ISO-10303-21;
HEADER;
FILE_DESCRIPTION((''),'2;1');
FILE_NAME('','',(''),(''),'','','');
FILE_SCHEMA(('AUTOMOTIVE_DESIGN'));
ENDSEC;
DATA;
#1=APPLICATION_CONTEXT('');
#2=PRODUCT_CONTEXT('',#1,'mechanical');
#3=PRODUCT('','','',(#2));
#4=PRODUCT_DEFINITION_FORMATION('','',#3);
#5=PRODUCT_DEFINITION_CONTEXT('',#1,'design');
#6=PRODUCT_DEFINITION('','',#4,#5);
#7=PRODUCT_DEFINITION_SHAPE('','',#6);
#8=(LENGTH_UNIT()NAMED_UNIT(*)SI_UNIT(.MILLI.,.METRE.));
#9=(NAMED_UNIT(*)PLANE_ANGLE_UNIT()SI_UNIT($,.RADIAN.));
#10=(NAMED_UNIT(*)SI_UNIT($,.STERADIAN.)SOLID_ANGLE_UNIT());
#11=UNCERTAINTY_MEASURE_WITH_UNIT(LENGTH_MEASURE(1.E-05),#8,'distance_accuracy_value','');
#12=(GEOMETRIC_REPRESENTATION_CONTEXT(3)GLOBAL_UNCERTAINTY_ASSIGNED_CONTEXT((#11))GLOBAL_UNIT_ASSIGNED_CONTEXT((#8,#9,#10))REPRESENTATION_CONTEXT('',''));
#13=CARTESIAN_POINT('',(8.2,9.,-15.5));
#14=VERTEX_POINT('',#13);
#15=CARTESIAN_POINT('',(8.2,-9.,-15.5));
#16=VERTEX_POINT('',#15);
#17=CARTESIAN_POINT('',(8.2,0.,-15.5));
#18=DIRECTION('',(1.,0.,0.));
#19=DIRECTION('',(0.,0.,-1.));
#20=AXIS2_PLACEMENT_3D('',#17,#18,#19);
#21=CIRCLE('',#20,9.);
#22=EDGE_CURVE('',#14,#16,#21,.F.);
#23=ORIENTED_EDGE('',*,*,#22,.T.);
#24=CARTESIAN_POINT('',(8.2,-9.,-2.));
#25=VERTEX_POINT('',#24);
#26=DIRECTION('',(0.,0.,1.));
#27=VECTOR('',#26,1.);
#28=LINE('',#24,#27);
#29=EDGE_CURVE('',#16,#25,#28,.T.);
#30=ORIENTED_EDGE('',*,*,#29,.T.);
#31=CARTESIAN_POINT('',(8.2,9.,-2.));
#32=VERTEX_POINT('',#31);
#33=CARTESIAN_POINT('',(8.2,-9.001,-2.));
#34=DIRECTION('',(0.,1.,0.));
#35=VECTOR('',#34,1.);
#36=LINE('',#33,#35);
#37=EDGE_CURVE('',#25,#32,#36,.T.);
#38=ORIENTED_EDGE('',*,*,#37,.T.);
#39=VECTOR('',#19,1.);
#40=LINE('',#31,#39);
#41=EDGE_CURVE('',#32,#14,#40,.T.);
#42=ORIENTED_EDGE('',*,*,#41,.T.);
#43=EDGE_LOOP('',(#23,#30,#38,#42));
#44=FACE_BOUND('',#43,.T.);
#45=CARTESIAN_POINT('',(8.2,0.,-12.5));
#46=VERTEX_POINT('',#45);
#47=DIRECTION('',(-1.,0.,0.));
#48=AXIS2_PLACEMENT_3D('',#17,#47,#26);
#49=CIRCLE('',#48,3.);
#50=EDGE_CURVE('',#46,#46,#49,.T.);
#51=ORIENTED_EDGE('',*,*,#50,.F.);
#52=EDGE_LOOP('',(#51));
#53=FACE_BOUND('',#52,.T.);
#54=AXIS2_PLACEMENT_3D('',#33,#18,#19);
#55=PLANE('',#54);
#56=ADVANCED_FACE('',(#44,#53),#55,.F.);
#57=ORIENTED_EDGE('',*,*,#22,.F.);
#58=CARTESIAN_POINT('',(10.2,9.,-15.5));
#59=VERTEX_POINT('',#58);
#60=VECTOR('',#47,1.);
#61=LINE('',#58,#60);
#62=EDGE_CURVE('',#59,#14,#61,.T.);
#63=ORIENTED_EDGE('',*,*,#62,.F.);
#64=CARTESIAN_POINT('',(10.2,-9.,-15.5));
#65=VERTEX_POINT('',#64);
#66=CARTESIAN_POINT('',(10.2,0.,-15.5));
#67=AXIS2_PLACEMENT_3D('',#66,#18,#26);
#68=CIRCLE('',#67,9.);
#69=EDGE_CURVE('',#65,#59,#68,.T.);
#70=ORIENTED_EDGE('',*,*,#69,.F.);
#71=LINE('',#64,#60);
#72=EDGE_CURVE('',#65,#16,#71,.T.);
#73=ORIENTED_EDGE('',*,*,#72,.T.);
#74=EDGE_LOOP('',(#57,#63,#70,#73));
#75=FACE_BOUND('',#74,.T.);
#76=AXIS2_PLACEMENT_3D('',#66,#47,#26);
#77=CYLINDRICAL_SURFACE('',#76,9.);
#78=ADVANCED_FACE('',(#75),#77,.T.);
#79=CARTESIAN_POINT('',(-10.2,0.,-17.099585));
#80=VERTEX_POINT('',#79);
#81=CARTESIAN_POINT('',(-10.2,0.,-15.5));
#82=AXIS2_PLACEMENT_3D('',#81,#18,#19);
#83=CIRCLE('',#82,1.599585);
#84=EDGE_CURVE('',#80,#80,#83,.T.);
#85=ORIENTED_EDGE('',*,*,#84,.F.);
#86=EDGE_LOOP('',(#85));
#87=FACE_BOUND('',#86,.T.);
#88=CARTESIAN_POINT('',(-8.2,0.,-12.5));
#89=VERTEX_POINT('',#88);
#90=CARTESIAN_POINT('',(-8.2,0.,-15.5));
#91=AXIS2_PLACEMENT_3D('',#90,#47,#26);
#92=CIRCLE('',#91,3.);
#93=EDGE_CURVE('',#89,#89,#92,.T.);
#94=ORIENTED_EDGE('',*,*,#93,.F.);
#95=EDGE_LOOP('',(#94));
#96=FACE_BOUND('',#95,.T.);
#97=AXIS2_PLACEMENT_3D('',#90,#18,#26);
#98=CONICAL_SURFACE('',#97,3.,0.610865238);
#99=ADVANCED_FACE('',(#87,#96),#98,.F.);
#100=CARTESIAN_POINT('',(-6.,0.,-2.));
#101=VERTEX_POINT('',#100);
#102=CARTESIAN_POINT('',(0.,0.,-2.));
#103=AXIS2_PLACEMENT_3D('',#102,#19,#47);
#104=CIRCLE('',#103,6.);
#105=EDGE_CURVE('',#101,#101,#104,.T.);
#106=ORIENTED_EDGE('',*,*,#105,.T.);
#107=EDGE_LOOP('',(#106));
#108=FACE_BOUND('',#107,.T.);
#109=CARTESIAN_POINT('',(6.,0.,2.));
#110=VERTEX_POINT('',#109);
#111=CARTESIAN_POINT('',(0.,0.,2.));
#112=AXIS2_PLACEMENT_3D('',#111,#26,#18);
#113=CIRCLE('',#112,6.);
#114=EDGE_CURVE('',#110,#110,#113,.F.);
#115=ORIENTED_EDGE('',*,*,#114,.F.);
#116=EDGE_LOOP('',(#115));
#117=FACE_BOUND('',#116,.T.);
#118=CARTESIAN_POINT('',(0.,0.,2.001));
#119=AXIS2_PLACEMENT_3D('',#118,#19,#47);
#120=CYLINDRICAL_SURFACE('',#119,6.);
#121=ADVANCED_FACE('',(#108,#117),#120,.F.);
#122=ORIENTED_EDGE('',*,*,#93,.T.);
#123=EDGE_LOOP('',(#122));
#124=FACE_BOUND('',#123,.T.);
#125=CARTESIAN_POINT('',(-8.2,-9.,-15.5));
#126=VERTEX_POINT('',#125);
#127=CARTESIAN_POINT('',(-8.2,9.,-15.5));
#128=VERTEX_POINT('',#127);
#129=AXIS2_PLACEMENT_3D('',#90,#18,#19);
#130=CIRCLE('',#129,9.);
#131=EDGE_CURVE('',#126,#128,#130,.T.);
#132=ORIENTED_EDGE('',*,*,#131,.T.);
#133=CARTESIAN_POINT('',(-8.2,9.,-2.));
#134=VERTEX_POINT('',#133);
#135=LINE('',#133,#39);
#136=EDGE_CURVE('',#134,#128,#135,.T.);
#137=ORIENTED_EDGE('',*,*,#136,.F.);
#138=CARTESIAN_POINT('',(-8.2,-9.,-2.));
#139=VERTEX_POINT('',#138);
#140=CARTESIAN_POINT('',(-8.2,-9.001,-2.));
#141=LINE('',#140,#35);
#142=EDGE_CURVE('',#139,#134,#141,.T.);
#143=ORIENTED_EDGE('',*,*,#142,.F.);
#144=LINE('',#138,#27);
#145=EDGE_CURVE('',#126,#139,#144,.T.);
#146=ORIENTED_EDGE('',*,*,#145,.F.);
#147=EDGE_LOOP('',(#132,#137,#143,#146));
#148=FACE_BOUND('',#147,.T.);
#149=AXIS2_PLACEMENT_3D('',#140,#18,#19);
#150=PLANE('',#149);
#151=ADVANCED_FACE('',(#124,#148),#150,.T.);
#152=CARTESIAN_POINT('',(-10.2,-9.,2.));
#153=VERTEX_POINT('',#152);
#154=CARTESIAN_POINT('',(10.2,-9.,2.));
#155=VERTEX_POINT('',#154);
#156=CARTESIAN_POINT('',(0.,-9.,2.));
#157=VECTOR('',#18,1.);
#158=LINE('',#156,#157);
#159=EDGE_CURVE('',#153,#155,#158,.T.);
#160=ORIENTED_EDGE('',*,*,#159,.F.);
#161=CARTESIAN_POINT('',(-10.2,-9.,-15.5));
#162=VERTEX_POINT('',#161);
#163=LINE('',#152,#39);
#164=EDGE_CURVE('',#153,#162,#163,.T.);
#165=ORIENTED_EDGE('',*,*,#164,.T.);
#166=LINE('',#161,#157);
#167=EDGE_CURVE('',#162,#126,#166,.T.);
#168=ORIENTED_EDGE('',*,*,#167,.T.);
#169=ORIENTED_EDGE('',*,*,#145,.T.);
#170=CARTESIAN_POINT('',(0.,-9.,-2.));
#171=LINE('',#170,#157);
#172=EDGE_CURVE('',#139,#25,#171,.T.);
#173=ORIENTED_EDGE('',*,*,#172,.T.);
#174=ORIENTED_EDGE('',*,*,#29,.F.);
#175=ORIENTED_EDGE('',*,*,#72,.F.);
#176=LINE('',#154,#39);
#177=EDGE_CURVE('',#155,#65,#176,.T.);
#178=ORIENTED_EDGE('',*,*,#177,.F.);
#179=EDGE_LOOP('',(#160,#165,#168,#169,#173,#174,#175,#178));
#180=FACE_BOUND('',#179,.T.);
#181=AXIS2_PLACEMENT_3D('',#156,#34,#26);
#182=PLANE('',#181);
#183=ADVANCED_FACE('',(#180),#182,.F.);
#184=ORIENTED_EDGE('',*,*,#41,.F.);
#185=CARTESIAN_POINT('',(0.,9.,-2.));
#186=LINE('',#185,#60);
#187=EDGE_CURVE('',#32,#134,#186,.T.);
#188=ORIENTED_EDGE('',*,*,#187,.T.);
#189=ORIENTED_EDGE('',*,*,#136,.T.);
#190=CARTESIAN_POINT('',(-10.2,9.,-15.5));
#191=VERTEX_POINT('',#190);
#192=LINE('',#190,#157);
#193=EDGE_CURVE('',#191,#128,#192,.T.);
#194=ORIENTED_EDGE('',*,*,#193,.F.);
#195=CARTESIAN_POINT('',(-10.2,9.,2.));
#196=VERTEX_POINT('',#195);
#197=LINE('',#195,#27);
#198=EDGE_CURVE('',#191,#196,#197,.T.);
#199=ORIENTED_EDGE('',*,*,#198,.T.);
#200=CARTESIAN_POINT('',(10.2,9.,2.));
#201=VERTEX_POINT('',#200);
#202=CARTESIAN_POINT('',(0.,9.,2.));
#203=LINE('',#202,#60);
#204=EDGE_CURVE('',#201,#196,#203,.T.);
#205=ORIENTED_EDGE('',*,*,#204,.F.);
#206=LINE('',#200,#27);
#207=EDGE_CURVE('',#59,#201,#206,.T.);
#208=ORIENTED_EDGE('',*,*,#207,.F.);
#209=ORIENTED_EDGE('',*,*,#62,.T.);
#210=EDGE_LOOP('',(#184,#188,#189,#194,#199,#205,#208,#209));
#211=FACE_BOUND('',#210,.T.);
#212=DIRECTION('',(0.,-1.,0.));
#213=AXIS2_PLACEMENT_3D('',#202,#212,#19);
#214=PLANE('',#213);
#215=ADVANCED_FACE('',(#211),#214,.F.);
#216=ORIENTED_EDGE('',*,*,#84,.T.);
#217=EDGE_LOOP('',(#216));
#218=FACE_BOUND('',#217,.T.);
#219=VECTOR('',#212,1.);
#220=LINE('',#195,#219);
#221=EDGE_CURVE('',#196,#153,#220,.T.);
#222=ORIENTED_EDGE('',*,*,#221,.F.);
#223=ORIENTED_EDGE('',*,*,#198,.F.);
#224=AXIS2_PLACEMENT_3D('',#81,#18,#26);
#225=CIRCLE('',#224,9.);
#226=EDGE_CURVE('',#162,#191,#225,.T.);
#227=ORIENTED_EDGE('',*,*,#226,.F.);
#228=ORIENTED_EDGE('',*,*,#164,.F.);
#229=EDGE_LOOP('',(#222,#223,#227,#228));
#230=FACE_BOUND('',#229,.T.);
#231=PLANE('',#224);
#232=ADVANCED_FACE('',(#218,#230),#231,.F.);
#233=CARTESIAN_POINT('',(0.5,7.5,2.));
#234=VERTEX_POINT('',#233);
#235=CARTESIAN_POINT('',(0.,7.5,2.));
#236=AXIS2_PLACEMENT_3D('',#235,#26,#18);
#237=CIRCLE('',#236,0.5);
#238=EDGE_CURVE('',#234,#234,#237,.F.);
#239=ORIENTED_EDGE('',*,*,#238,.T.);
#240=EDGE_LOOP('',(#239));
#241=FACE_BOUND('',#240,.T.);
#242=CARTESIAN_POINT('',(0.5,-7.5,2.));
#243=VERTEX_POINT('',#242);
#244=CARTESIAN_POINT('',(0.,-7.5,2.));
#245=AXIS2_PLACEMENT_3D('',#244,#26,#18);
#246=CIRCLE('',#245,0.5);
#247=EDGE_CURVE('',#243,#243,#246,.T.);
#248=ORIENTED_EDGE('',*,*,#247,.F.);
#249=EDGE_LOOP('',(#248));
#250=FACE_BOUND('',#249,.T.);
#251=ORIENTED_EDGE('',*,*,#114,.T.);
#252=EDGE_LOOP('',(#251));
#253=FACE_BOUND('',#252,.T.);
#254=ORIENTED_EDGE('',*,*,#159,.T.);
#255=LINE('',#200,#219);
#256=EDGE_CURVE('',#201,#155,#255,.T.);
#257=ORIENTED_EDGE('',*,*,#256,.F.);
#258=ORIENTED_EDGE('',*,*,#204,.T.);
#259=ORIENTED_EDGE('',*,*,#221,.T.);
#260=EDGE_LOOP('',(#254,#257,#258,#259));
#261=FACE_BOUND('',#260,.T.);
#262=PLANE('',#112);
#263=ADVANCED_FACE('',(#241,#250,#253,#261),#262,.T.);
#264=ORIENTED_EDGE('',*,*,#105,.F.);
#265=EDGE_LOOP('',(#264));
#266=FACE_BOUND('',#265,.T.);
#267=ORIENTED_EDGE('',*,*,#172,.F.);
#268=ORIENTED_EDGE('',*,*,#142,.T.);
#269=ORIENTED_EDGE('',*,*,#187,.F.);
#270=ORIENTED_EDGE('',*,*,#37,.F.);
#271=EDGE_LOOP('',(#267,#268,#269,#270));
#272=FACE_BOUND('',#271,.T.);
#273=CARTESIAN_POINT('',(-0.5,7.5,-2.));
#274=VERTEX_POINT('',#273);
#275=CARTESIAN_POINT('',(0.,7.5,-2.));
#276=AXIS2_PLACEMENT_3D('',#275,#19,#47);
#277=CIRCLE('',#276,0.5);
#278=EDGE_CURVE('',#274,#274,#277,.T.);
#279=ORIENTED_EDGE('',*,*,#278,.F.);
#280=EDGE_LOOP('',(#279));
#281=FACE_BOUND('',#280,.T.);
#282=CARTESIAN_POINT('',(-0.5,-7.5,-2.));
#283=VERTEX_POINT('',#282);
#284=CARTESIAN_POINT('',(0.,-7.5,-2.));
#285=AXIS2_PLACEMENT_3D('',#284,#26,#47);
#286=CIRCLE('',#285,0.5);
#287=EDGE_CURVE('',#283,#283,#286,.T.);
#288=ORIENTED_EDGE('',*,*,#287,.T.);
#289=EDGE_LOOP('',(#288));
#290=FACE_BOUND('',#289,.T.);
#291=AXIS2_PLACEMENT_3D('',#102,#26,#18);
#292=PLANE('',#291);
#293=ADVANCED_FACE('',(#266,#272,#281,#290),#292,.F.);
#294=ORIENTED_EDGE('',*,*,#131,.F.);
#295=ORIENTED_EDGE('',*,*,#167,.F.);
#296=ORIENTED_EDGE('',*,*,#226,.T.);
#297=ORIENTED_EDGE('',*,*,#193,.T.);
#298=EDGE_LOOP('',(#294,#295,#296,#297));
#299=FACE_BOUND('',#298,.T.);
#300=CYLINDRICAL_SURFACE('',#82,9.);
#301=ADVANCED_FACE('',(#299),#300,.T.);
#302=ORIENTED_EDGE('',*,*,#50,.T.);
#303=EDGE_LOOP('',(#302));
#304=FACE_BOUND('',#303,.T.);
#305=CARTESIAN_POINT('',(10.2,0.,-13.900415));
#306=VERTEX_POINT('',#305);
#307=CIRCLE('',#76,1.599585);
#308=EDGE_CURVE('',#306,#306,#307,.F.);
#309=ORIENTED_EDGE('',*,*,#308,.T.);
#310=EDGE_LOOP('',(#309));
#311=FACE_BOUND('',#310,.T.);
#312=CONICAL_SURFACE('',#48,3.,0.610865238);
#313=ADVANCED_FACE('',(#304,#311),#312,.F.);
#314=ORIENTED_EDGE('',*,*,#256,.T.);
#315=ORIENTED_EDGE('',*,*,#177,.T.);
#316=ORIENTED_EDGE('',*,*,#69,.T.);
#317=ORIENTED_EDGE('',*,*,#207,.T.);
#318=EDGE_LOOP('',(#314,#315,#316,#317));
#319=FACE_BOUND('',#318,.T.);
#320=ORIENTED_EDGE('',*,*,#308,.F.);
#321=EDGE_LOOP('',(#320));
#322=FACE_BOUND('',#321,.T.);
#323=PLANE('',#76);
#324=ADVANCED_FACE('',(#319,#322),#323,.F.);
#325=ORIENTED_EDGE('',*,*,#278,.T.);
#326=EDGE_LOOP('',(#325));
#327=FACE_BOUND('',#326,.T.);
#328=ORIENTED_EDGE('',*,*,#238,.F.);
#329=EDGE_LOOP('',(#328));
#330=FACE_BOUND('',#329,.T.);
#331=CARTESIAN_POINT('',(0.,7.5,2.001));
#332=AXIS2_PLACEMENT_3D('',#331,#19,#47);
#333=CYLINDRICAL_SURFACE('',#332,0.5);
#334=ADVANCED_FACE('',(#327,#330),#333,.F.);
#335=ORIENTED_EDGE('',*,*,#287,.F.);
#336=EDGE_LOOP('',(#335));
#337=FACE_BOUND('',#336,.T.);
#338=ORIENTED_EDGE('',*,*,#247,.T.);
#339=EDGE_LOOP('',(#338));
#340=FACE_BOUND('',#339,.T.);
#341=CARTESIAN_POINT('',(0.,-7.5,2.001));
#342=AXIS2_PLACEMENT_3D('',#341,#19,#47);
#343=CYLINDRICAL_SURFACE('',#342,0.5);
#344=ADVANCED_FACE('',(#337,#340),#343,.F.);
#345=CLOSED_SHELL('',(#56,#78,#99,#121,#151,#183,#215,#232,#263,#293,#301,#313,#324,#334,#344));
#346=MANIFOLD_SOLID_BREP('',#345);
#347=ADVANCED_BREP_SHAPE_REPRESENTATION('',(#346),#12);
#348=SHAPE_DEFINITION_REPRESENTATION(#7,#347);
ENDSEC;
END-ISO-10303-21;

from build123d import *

# Parameters (mm, degrees)
SKETCH1_W               = 16
SKETCH1_H               = 18
SKETCH1_W_2             = 12
SKETCH1_H_2             = 14
EXTRUDE_THIN1_DEPTH     = 2
BOSS_EXTRUDE3_DEPTH     = 2.2
CUT_EXTRUDE4_REACH      = 34.067
SKETCH10_W              = 0.2
SKETCH10_H              = 27.531461486
SKETCH5_R               = 3
CUT_EXTRUDE1_DEPTH      = 2
CUT_EXTRUDE1_DRAFT      = -35
MIRROR3_COPY_1_SKETCH_R = 3
MIRROR3_COPY_1_DEPTH    = 2
MIRROR3_COPY_1_DRAFT    = -35
SKETCH14_W              = 12
SKETCH14_H              = 4
BOSS_EXTRUDE5_DEPTH     = 14
CUT_EXTRUDE6_REACH      = 28.292
SKETCH15_R              = 6
CUT_EXTRUDE8_REACH      = 28.292
SKETCH19_R              = 0.5


with BuildPart() as part:
    # Sketch1 → Extrude-Thin1 (new, symmetric)
    with BuildSketch(Plane.XY):
        Rectangle(SKETCH1_W, SKETCH1_H)
        Rectangle(SKETCH1_W_2, SKETCH1_H_2, mode=Mode.SUBTRACT)
    extrude_thin1 = extrude(amount=EXTRUDE_THIN1_DEPTH, both=True)

    # Sketch4 → Boss-Extrude3 (add)
    with BuildSketch(Plane(origin=(8, 0, 0), x_dir=(0, 0, -1), z_dir=(1, 0, 0))):
        with BuildLine():
            Line((-2, 9), (15.5, 9))
            ThreePointArc((15.5, 9), (24.5, 0), (15.5, -9))
            Line((15.5, -9), (-2, -9))
            Line((-2, -9), (-2, 9))
        make_face()
    boss_extrude3 = extrude(amount=BOSS_EXTRUDE3_DEPTH)

    # Sketch10 → Cut-Extrude4 (cut, up to next)
    with BuildSketch(Plane(origin=(0, 9, 0), x_dir=(1, 0, 0), z_dir=(0, 1, 0)), mode=Mode.PRIVATE) as cut_extrude4_sk1:
        with Locations((8.1, 15.765730743)):
            Rectangle(SKETCH10_W, SKETCH10_H)
    cut_extrude4_tool1 = extrude(cut_extrude4_sk1.sketch, amount=-CUT_EXTRUDE4_REACH, mode=Mode.PRIVATE) & part.part
    cut_extrude4 = cut_extrude4_tool1.solids().sort_by_distance((8.1, 9, -15.765731))[0]
    add(cut_extrude4, mode=Mode.SUBTRACT)


with BuildPart() as cut_extrude1_tool:
    # Sketch5 → Cut-Extrude1 (with draft: the straight prism first)
    with BuildSketch(Plane.ZY.offset(-8.2)):
        with Locations((-15.5, 0)):
            Circle(SKETCH5_R)
    extrude(amount=-CUT_EXTRUDE1_DEPTH)
    # Cut-Extrude1: the draft: its side faces are tilted about the plane it starts from
    cut_extrude1_sides = [cut_extrude1_tool.faces().sort_by_distance(p)[0] for p in [
        (9.2, 0, -18.5),
    ]]
    draft(cut_extrude1_sides, Plane.ZY.offset(-8.2), CUT_EXTRUDE1_DRAFT)


with BuildPart() as part_1:
    add(part.part)

    # Cut-Extrude1: cut by cut_extrude1_tool
    add(cut_extrude1_tool.part, mode=Mode.SUBTRACT)

    # Mirror3: Extrude-Thin1, Boss-Extrude3, Cut-Extrude4 across plane
    add(extrude_thin1.mirror(Plane(origin=(0, 0, 0), x_dir=(0, 0, 1), z_dir=(1, 0, 0))))
    add(boss_extrude3.mirror(Plane(origin=(0, 0, 0), x_dir=(0, 0, 1), z_dir=(1, 0, 0))))
    add(cut_extrude4.mirror(Plane(origin=(0, 0, 0), x_dir=(0, 0, 1), z_dir=(1, 0, 0))), mode=Mode.SUBTRACT)


with BuildPart() as mirror3_copy_1_tool:
    # Mirror3 copy 1 sketch → Mirror3 copy 1 (with draft: the straight prism first)
    with BuildSketch(Plane(origin=(-8.2, 0, 0), x_dir=(0, 0, 1), z_dir=(1, 0, 0))):
        with Locations((-15.5, 0)):
            Circle(MIRROR3_COPY_1_SKETCH_R)
    extrude(amount=-MIRROR3_COPY_1_DEPTH)
    # Mirror3 copy 1: the draft: its side faces are tilted about the plane it starts from
    mirror3_copy_1_sides = [mirror3_copy_1_tool.faces().sort_by_distance(p)[0] for p in [
        (-9.2, 0, -18.5),
    ]]
    draft(mirror3_copy_1_sides, Plane(origin=(-8.2, 0, 0), x_dir=(0, 0, 1), z_dir=(1, 0, 0)), MIRROR3_COPY_1_DRAFT)


with BuildPart() as part_2:
    add(part_1.part)

    # Mirror3 copy 1: cut by mirror3_copy_1_tool
    add(mirror3_copy_1_tool.part, mode=Mode.SUBTRACT)

    # Sketch14 → Boss-Extrude5 (add)
    with BuildSketch(Plane(origin=(0, -7, 0), x_dir=(1, 0, 0), z_dir=(0, 1, 0))):
        Rectangle(SKETCH14_W, SKETCH14_H)
    extrude(amount=BOSS_EXTRUDE5_DEPTH)

    # Sketch15 → Cut-Extrude6 (cut, up to next)
    with BuildSketch(Plane(origin=(0, 0, -2), x_dir=(-1, 0, 0), z_dir=(0, 0, -1)), mode=Mode.PRIVATE) as cut_extrude6_sk1:
        Circle(SKETCH15_R)
    cut_extrude6_tool1 = extrude(cut_extrude6_sk1.sketch, amount=-CUT_EXTRUDE6_REACH, mode=Mode.PRIVATE) & part_2.part
    add(cut_extrude6_tool1.solids().sort_by_distance((0, 0, -2))[0], mode=Mode.SUBTRACT)

    # Sketch19 → Cut-Extrude8 (cut, up to next)
    with BuildSketch(Plane(origin=(0, 0, -2), x_dir=(-1, 0, 0), z_dir=(0, 0, -1)), mode=Mode.PRIVATE) as cut_extrude8_sk1:
        with Locations((0, 7.5)):
            Circle(SKETCH19_R)
    cut_extrude8_tool1 = extrude(cut_extrude8_sk1.sketch, amount=-CUT_EXTRUDE8_REACH, mode=Mode.PRIVATE) & part_2.part
    cut_extrude8 = cut_extrude8_tool1.solids().sort_by_distance((0, 7.5, -2))[0]
    add(cut_extrude8, mode=Mode.SUBTRACT)

    # Mirror8: Cut-Extrude8 across plane
    add(cut_extrude8.mirror(Plane.ZX), mode=Mode.SUBTRACT)

    # Mirror8 at the second plane: Cut-Extrude8 across plane
    add(cut_extrude8.mirror(Plane(origin=(0, 0, 0), x_dir=(0, 0, 1), z_dir=(1, 0, 0))), mode=Mode.SUBTRACT)


solid = part_2.part
